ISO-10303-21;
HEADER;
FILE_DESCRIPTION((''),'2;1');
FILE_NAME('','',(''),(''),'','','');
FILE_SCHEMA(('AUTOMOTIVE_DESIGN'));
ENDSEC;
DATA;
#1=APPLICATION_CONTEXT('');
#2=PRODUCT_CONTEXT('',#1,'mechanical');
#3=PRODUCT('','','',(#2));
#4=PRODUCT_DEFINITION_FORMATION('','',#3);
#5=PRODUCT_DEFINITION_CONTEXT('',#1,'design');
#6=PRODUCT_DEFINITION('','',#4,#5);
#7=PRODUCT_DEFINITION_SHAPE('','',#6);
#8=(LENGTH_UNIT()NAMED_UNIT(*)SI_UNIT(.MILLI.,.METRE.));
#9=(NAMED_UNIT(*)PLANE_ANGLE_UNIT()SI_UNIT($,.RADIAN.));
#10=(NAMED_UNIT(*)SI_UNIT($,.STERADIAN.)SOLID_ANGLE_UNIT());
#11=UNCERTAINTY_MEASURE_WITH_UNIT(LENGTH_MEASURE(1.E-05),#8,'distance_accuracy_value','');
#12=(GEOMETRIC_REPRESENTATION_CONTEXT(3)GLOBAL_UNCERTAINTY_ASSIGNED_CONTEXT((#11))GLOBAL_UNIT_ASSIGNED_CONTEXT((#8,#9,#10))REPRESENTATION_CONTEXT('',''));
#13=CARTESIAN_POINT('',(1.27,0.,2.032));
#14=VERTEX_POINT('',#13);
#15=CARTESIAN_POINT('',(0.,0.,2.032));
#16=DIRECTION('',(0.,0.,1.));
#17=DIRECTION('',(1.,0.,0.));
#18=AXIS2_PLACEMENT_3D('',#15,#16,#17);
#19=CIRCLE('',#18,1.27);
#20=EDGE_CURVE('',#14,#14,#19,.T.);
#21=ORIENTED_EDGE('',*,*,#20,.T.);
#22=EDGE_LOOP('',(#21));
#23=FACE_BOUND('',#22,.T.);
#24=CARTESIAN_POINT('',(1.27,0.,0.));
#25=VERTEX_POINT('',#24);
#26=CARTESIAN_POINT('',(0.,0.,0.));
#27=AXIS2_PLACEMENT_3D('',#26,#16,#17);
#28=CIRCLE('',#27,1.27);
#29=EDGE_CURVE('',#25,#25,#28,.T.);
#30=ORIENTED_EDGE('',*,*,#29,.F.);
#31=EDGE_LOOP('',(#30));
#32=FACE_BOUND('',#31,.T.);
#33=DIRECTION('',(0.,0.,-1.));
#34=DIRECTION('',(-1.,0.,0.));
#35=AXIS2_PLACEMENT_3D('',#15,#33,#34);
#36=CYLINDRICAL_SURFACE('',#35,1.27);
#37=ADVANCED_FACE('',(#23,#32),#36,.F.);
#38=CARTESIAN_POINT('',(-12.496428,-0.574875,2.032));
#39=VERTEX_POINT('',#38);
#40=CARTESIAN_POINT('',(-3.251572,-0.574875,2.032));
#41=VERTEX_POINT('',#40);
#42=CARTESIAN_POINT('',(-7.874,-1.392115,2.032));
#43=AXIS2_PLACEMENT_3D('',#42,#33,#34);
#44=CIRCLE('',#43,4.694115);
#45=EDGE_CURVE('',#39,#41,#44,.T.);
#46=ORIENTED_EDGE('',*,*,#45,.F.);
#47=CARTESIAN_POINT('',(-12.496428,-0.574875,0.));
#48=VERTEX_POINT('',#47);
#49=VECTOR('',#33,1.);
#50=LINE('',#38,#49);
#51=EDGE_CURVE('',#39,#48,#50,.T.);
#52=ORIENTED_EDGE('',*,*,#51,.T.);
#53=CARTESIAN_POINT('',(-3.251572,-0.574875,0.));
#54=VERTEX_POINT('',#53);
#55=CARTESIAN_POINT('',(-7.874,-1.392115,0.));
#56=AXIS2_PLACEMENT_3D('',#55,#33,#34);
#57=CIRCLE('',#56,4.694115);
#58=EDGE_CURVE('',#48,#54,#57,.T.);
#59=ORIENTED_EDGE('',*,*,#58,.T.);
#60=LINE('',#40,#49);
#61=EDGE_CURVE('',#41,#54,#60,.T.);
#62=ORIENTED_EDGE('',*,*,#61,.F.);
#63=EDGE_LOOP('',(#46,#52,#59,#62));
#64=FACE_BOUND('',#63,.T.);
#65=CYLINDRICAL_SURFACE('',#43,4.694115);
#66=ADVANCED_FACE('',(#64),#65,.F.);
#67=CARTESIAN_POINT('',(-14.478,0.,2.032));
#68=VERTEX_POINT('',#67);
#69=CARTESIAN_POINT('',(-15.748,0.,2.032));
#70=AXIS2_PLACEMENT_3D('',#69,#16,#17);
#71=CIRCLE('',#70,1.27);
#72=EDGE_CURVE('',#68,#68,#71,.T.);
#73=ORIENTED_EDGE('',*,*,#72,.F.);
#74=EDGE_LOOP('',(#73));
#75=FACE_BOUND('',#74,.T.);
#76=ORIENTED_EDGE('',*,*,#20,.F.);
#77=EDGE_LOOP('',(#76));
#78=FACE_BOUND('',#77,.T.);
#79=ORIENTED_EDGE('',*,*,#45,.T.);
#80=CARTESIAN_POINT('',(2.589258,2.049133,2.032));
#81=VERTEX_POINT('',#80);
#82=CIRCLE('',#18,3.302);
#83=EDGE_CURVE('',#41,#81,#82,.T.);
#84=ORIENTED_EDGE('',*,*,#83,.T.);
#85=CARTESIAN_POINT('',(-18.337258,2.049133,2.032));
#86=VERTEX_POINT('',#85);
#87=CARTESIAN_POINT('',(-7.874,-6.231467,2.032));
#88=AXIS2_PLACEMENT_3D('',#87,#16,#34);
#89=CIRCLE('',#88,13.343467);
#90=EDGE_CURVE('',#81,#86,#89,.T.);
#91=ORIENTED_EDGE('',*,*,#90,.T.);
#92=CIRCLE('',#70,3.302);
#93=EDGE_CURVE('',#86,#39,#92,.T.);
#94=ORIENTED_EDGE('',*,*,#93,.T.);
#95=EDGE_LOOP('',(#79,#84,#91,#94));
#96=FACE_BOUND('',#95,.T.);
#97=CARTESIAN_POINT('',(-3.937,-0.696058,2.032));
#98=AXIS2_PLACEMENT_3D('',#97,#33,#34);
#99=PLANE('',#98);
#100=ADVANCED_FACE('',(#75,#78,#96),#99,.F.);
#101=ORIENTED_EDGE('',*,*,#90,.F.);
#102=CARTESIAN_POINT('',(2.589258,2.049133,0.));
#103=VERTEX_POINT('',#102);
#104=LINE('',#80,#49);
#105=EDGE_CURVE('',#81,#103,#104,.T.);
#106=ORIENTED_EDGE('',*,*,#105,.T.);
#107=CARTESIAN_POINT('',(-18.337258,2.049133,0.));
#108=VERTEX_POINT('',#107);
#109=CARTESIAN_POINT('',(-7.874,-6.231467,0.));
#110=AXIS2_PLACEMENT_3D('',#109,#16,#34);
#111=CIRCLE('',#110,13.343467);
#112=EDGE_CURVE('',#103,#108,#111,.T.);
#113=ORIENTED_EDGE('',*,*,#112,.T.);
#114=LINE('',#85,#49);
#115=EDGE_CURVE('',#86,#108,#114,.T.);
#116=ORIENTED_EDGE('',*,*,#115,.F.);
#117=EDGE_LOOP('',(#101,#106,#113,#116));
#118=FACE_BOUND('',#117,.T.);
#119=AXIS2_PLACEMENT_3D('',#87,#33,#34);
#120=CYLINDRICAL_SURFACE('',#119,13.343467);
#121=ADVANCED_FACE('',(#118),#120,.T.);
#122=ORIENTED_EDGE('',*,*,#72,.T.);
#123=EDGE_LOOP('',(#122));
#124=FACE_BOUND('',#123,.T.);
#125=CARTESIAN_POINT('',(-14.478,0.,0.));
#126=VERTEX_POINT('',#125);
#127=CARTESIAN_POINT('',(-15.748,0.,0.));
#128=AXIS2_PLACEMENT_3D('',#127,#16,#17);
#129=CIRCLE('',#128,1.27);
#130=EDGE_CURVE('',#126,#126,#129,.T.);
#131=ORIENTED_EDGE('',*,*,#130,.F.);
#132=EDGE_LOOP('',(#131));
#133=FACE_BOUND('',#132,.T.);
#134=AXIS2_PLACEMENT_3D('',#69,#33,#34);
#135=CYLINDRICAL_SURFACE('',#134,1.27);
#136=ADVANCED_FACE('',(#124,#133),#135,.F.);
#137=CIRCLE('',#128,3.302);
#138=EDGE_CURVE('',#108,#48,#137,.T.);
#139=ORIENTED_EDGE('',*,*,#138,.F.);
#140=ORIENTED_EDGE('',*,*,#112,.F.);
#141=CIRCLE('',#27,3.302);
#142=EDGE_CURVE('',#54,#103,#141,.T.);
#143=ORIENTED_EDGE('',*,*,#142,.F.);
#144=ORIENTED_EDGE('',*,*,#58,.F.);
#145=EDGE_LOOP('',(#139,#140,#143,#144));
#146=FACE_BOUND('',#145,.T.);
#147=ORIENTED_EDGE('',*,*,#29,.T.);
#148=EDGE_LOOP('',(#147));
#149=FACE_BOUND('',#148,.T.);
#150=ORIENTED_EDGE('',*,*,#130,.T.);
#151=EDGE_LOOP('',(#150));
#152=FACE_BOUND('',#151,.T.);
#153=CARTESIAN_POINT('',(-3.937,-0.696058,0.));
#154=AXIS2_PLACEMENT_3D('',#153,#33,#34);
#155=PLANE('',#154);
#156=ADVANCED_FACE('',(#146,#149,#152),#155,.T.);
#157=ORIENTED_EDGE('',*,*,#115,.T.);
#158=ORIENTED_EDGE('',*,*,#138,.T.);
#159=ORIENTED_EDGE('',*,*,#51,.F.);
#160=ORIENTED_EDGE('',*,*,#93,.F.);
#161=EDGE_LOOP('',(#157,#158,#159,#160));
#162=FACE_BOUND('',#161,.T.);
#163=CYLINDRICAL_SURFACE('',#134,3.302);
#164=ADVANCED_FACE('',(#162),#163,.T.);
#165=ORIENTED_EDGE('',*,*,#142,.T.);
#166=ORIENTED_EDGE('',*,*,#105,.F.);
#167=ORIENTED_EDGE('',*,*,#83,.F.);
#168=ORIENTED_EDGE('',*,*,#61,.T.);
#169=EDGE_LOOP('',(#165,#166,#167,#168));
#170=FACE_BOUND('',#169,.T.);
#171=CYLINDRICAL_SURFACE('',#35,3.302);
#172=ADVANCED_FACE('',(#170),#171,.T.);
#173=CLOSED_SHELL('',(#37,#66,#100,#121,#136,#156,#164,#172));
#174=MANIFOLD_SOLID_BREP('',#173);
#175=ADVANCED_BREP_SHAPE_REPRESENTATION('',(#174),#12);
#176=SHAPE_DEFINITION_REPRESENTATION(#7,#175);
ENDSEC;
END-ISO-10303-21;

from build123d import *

# Parameters (mm, degrees)
SKETCH1_R           = 1.27
BOSS_EXTRUDE1_DEPTH = 2.032


with BuildPart() as part:
    # Sketch1 → Boss-Extrude1 (new body)
    with BuildSketch(Plane.XY):
        with BuildLine():
            ThreePointArc((-18.33725801, 2.049133221), (-17.101151717, -3.012006712), (-12.496427611, -0.574874771))
            ThreePointArc((-12.496427611, -0.574874771), (-7.874, 3.302), (-3.251572389, -0.574874771))
            ThreePointArc((-3.251572389, -0.574874771), (1.353151717, -3.012006712), (2.58925801, 2.049133221))
            ThreePointArc((2.58925801, 2.049133221), (-7.874, 7.112), (-18.33725801, 2.049133221))
        make_face()
        Circle(SKETCH1_R, mode=Mode.SUBTRACT)
        with Locations((-15.748, 0)):
            Circle(SKETCH1_R, mode=Mode.SUBTRACT)
    extrude(amount=BOSS_EXTRUDE1_DEPTH)


solid = part.part
